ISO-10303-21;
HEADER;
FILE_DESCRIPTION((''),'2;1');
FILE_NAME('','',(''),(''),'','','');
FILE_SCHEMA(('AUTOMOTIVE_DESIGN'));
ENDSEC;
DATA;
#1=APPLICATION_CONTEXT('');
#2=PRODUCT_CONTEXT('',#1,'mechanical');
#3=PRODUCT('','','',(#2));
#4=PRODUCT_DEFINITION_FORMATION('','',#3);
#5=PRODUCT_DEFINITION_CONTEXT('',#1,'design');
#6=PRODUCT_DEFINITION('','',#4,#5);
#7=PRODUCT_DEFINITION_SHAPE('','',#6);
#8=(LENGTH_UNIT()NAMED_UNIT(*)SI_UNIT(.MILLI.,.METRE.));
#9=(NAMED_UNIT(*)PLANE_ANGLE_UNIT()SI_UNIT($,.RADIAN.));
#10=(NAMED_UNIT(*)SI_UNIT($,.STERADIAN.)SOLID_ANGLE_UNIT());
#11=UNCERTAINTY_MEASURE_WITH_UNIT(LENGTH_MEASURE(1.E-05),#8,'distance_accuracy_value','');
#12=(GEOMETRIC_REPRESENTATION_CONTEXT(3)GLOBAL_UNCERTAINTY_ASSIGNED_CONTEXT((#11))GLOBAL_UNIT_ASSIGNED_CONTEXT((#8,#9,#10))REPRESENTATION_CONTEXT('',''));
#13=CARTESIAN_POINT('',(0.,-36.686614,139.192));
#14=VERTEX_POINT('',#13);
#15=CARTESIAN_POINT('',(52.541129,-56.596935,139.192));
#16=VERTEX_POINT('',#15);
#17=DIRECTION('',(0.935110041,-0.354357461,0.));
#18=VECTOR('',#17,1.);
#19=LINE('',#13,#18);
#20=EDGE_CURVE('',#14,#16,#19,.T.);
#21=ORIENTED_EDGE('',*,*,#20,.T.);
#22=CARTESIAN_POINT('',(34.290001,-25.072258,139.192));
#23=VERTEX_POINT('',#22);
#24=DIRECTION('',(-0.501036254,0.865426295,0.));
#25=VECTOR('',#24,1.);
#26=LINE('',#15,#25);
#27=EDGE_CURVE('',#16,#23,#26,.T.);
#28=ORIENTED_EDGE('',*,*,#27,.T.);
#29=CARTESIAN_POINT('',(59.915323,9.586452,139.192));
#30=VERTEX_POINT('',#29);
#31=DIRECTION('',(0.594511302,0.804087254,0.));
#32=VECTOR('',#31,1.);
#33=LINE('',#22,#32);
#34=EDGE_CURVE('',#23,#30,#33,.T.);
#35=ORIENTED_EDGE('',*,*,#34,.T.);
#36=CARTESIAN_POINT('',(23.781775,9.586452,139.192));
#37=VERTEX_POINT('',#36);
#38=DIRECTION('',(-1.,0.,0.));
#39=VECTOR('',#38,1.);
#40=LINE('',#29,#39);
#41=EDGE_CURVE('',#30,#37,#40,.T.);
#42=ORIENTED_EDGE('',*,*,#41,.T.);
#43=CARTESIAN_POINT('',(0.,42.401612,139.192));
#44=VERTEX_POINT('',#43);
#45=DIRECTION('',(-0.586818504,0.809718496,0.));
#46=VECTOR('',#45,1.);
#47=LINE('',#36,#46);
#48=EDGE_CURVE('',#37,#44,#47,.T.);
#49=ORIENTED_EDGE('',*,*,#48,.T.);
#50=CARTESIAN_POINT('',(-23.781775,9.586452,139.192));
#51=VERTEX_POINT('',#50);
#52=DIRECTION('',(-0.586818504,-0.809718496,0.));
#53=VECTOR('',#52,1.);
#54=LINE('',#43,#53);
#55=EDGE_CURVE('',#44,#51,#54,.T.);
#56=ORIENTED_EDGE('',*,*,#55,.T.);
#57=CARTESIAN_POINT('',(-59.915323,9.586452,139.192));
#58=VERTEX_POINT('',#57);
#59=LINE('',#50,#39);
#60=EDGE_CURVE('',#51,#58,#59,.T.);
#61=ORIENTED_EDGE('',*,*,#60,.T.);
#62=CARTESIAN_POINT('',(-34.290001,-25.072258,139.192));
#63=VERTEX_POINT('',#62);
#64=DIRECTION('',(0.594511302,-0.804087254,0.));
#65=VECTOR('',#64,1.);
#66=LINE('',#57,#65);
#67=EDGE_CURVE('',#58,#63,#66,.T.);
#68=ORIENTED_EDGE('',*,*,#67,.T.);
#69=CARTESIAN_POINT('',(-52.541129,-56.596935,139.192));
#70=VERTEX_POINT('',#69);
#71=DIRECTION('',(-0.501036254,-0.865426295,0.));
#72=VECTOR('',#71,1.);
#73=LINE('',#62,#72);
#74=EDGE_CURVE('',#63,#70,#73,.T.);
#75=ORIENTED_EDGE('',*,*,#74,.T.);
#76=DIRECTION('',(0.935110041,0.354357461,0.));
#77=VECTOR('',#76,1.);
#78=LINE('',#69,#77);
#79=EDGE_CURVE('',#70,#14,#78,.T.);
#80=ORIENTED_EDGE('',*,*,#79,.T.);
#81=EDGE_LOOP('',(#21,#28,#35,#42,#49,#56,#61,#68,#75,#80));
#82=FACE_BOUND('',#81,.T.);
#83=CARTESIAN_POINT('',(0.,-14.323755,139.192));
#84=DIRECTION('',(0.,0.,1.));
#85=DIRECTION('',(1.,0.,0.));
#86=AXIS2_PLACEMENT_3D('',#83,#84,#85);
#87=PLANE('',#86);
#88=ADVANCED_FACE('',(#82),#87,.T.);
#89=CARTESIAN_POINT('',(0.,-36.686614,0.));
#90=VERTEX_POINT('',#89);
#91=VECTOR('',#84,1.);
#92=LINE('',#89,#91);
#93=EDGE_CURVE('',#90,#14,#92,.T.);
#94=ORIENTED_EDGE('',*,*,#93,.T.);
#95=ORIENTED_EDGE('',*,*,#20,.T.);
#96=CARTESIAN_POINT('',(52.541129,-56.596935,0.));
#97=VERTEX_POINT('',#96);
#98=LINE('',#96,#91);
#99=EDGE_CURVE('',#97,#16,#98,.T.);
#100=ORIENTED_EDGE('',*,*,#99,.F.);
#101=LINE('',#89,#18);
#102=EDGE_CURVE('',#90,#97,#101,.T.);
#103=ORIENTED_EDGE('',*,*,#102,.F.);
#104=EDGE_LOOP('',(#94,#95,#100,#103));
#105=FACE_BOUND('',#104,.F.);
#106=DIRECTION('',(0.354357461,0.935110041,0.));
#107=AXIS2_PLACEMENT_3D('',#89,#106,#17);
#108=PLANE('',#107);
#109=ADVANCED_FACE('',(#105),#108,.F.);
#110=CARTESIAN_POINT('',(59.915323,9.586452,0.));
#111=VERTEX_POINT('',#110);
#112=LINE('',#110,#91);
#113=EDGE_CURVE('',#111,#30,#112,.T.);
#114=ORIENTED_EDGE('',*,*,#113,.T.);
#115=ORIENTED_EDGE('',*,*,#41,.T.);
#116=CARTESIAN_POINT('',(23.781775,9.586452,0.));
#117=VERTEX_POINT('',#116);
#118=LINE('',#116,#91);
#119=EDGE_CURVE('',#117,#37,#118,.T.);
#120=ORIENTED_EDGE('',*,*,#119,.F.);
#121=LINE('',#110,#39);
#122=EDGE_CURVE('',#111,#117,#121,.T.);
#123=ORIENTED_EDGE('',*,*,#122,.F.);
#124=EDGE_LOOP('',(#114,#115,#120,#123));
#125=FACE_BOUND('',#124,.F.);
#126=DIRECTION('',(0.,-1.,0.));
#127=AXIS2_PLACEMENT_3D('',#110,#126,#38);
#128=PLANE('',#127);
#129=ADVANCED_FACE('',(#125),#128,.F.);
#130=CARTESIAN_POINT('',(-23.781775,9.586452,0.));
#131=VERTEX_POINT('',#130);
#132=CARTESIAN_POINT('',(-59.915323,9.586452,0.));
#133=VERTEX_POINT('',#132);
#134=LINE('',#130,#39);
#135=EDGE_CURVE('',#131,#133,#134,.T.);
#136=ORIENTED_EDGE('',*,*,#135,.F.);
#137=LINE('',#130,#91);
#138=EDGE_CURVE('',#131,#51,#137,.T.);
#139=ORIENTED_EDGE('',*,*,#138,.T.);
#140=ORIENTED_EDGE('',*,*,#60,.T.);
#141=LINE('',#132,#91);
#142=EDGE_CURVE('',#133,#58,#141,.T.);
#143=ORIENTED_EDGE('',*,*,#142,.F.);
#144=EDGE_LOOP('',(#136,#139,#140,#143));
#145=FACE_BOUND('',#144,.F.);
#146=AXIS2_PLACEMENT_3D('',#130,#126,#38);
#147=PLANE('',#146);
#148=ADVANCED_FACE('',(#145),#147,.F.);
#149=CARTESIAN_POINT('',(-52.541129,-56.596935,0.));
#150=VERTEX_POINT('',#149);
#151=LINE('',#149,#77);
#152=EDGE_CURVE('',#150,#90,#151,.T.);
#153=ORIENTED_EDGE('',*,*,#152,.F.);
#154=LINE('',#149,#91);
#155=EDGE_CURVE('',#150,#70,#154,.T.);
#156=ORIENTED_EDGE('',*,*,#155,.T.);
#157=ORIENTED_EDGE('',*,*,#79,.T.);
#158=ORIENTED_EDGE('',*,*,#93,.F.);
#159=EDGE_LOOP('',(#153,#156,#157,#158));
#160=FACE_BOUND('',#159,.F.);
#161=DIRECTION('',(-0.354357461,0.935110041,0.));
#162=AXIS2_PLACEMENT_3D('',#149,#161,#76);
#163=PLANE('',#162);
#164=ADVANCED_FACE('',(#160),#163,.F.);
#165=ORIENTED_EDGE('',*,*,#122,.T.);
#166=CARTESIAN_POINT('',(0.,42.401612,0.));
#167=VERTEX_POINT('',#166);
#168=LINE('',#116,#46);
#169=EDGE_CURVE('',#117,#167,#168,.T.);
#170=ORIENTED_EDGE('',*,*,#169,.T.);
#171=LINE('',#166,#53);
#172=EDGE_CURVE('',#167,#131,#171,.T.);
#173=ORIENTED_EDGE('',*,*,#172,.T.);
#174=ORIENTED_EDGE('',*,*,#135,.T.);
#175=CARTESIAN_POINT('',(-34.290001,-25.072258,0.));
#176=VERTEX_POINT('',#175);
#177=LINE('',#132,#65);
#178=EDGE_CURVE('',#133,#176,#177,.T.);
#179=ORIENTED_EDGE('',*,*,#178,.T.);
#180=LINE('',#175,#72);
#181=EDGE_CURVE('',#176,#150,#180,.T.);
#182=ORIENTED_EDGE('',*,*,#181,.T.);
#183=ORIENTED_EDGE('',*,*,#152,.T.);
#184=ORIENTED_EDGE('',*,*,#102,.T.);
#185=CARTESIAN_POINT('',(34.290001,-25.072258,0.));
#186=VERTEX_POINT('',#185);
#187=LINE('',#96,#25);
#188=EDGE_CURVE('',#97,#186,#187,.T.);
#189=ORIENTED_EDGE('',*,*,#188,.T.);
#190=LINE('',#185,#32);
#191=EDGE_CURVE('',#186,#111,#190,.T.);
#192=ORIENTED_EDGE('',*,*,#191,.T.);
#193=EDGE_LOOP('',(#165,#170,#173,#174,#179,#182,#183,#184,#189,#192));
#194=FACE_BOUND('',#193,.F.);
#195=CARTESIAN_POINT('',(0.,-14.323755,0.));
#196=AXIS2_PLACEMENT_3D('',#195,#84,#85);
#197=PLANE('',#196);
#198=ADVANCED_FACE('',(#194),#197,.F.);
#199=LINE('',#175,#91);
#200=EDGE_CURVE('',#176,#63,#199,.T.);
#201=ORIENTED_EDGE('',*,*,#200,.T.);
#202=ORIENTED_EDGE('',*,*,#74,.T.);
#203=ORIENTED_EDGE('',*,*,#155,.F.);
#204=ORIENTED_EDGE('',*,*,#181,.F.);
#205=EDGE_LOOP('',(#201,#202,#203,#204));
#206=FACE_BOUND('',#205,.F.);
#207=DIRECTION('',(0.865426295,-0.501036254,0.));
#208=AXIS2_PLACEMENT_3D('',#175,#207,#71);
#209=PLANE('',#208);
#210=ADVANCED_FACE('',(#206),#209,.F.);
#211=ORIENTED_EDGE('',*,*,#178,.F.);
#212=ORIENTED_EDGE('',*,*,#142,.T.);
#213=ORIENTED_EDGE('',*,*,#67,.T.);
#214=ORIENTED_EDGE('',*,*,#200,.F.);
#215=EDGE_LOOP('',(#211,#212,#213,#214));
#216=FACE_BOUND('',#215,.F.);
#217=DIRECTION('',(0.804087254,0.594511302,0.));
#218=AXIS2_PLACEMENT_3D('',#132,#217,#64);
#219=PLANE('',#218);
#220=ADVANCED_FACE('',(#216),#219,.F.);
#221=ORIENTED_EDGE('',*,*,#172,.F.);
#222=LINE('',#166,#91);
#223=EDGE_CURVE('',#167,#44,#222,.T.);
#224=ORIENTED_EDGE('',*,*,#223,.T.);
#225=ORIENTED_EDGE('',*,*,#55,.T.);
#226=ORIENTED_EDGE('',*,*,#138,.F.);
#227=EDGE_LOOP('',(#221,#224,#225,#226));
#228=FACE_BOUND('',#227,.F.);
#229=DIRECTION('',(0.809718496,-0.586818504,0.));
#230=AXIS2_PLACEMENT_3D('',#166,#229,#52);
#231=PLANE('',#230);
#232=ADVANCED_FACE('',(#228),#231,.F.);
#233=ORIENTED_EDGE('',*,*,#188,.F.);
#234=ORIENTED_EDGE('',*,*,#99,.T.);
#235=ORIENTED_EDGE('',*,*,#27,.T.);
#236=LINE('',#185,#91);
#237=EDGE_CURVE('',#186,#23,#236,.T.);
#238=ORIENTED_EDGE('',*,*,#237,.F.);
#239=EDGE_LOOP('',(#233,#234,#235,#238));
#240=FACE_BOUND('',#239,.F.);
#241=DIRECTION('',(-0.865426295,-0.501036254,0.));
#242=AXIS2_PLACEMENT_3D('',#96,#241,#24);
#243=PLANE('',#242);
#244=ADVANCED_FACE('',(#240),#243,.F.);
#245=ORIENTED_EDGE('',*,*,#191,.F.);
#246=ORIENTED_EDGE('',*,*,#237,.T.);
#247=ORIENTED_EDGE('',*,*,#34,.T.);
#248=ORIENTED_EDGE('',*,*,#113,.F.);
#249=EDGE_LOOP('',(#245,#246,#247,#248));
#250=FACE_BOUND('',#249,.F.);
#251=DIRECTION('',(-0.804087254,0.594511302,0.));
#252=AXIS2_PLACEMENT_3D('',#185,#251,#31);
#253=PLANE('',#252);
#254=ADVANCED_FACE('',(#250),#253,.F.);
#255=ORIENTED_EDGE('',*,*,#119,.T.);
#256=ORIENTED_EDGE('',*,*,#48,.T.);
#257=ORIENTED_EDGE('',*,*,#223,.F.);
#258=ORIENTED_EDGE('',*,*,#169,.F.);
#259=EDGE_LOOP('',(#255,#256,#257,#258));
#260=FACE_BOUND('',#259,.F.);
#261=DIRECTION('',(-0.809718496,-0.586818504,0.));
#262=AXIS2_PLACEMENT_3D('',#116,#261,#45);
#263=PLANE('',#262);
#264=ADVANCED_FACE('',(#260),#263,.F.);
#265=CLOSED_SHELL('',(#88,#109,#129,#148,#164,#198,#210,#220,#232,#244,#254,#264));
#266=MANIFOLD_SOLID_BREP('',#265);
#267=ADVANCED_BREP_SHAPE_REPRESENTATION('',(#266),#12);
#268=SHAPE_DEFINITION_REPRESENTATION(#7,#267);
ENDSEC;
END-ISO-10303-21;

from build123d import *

# Parameters (mm, degrees)
F1_DEPTH = 139.192
F2_R     = 27.771384
F3_DEPTH = 135.89
F5_DEPTH = 120.142


with BuildPart() as f1:
    # F0 (on Top) → F1 (new body)
    with BuildSketch(Plane.XY):
        Polygon((23.781775, 9.586452), (0, 42.401612), (-23.781775, 9.586452), (-59.915323, 9.586452), (-34.290001, -25.072258), (-52.541129, -56.596935), (0, -36.686614), (52.541129, -56.596935), (34.290001, -25.072258), (59.915323, 9.586452), align=None)
    extrude(amount=F1_DEPTH)

    # F2 (on face) → F3 (join)
    with BuildSketch(Plane(origin=(0, 0, 0), x_dir=(1, 0, 0), z_dir=(0, 0, -1))):
        with Locations((0, 6.819746)):
            Circle(F2_R)
    extrude(amount=-F3_DEPTH)

    # F4 (on face) → F5 (join)
    with BuildSketch(Plane(origin=(0, 0, 0), x_dir=(1, 0, 0), z_dir=(0, 0, -1))):
        Polygon((-13.642258, -6.452419), (0, -28.943708), (18.066773, -6.452419), (50.69758, -4.424516), (28.574999, 29.128065), (43.692097, 48.300967), (-4.793226, 31.155968), (-41.664194, 49.407098), (-27.837582, 18.619839), (-49.775805, -6.452419), align=None)
    extrude(amount=-F5_DEPTH)


solid = f1.part
